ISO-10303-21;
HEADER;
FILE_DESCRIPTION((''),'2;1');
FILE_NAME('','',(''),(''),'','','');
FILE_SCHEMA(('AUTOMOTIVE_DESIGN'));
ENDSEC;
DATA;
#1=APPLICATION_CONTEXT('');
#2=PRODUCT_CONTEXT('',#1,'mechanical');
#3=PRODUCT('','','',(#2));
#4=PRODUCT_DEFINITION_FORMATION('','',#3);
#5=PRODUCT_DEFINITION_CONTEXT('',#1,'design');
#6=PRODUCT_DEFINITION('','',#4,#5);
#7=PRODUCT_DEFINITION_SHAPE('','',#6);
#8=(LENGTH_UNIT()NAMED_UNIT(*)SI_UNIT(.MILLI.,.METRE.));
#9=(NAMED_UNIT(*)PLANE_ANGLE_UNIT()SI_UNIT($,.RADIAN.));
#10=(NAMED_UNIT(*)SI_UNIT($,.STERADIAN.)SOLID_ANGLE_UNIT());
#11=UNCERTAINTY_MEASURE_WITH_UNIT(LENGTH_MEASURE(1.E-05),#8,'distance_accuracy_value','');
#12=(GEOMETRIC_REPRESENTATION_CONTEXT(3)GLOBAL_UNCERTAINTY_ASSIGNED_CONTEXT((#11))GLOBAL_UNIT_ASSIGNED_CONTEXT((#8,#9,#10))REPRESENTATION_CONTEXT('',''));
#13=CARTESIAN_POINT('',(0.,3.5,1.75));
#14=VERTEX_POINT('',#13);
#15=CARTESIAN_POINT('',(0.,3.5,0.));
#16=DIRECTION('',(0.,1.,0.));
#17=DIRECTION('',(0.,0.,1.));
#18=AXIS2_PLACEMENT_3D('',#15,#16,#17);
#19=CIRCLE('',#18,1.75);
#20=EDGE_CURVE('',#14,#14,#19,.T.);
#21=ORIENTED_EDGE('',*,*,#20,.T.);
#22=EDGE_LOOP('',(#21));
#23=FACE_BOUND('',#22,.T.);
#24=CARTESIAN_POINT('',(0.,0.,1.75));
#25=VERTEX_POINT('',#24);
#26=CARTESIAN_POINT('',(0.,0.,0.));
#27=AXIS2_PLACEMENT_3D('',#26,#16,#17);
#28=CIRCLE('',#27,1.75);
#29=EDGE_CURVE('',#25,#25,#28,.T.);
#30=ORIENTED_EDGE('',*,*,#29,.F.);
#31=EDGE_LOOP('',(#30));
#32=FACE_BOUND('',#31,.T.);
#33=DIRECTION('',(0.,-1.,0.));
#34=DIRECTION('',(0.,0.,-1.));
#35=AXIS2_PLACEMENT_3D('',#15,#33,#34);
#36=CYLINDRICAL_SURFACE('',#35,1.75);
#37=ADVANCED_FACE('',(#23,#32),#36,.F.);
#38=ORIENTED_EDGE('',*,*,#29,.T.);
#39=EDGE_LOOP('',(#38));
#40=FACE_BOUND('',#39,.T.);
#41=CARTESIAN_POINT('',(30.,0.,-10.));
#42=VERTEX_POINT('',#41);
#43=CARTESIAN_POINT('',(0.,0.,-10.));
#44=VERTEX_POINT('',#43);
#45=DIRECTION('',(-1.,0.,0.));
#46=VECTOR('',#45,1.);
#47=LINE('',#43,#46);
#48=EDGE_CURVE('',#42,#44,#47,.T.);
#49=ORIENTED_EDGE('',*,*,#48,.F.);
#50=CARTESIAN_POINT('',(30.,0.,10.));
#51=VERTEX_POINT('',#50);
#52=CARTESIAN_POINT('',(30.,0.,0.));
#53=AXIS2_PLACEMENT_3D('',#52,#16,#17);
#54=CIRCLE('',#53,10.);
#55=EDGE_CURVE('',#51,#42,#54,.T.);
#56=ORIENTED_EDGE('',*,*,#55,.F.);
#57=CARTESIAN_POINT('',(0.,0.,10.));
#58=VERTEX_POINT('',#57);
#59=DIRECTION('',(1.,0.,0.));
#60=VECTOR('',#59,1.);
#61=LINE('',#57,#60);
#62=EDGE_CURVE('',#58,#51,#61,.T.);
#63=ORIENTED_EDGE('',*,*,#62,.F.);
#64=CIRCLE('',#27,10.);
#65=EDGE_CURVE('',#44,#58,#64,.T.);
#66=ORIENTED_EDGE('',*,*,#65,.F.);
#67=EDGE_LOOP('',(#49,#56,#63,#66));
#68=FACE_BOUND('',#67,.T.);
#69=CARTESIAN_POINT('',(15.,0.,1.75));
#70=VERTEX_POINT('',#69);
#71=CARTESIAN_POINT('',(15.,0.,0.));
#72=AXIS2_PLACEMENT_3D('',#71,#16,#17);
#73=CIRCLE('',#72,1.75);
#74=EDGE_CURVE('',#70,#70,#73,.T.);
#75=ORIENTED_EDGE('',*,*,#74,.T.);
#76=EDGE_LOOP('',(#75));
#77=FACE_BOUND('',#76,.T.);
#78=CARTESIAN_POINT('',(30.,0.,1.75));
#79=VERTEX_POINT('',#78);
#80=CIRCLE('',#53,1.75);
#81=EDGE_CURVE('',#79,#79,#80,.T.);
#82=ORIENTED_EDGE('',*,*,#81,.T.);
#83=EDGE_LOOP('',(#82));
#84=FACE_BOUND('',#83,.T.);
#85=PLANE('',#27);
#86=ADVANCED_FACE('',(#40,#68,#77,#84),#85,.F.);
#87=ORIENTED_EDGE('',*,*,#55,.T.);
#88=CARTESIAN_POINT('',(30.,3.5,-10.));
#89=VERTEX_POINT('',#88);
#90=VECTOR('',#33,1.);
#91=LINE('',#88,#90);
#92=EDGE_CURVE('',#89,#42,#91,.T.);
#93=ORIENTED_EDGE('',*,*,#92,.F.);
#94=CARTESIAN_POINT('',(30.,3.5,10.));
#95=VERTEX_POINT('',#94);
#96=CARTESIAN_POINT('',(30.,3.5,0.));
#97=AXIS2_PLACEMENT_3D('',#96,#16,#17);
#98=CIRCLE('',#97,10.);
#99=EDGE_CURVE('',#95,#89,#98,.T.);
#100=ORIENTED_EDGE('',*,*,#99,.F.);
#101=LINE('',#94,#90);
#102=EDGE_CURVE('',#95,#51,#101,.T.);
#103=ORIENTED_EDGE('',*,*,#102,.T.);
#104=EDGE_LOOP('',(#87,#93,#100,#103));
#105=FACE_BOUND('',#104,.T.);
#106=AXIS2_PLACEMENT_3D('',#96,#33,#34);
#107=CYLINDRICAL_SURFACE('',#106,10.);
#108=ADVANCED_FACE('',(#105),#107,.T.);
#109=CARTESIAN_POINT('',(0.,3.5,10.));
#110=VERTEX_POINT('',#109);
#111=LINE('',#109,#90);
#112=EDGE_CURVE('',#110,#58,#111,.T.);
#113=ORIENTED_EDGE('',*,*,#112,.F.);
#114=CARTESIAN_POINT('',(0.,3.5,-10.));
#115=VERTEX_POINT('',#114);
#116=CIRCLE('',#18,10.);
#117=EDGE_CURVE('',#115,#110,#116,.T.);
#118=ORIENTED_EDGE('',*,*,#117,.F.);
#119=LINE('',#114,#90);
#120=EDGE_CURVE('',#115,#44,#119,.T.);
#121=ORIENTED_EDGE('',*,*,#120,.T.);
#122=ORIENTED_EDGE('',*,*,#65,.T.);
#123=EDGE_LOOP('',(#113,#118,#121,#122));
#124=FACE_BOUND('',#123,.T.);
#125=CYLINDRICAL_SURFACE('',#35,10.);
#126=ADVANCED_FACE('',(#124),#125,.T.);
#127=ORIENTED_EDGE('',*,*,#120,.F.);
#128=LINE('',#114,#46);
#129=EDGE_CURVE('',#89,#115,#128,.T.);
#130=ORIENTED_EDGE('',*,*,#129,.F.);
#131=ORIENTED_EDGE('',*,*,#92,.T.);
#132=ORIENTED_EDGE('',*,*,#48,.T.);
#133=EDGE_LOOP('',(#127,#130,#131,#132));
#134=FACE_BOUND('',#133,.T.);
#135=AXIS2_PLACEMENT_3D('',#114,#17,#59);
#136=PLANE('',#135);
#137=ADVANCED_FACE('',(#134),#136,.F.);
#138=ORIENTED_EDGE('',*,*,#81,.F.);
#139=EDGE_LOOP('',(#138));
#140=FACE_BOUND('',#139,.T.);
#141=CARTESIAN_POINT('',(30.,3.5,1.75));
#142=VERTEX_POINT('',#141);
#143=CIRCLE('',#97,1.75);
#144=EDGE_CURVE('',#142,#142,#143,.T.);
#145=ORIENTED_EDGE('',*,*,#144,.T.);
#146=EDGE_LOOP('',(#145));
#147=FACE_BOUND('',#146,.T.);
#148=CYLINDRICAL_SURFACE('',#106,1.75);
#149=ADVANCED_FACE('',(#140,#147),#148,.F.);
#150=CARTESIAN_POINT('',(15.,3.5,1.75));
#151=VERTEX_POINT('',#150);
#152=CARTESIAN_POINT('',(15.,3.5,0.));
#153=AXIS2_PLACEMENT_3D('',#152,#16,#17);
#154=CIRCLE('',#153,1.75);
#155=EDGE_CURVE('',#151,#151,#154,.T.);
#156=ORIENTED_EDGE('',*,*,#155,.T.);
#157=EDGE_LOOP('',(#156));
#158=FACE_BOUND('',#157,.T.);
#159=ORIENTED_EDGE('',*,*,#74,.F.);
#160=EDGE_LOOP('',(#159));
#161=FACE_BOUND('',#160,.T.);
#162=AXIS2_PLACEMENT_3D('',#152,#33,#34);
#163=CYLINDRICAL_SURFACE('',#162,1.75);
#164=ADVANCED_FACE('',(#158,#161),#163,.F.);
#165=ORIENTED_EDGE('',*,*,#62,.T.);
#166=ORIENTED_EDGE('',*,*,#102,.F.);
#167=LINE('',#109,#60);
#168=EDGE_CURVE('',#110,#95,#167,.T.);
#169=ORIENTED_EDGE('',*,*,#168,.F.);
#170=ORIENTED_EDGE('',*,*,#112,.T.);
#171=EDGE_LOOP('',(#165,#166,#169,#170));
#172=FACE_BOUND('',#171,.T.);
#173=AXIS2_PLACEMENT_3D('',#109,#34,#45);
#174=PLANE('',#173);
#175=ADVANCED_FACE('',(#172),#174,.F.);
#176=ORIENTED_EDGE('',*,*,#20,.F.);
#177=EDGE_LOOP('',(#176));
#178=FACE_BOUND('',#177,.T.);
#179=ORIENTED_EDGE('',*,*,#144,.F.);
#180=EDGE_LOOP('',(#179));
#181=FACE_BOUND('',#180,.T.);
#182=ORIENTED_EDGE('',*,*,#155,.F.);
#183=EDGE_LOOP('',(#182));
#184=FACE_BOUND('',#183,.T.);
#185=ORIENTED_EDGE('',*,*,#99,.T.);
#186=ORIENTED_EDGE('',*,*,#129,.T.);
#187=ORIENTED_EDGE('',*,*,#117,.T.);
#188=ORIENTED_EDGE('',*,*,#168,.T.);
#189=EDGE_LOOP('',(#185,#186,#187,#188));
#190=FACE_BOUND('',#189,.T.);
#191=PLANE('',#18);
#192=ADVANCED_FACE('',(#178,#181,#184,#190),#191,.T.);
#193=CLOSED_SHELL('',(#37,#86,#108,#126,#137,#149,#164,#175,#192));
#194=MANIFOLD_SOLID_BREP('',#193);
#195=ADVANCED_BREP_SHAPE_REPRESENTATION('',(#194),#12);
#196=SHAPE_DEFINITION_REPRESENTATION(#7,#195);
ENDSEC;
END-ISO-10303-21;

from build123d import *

# Parameters (mm, degrees)
SKETCH_1_R      = 1.75
EXTRUDE_1_DEPTH = 3.5


with BuildPart() as part:
    # Эскиз1 → Бобышка-Вытянуть1 (new body)
    with BuildSketch(Plane(origin=(0, 0, 0), x_dir=(1, 0, 0), z_dir=(0, 1, 0))):
        with BuildLine():
            Line((0, 10), (30, 10))
            ThreePointArc((30, 10), (40, 0), (30, -10))
            Line((30, -10), (0, -10))
            ThreePointArc((0, -10), (-10, 0), (0, 10))
        make_face()
        with Locations(Location((0, 0, 0), (0, 0, 270))):
            Circle(SKETCH_1_R, mode=Mode.SUBTRACT)
        with Locations(Location((30, 0, 0), (0, 0, 270))):
            Circle(SKETCH_1_R, mode=Mode.SUBTRACT)
        with Locations(Location((15, 0, 0), (0, 0, 270))):
            Circle(SKETCH_1_R, mode=Mode.SUBTRACT)
    extrude(amount=EXTRUDE_1_DEPTH)


solid = part.part
